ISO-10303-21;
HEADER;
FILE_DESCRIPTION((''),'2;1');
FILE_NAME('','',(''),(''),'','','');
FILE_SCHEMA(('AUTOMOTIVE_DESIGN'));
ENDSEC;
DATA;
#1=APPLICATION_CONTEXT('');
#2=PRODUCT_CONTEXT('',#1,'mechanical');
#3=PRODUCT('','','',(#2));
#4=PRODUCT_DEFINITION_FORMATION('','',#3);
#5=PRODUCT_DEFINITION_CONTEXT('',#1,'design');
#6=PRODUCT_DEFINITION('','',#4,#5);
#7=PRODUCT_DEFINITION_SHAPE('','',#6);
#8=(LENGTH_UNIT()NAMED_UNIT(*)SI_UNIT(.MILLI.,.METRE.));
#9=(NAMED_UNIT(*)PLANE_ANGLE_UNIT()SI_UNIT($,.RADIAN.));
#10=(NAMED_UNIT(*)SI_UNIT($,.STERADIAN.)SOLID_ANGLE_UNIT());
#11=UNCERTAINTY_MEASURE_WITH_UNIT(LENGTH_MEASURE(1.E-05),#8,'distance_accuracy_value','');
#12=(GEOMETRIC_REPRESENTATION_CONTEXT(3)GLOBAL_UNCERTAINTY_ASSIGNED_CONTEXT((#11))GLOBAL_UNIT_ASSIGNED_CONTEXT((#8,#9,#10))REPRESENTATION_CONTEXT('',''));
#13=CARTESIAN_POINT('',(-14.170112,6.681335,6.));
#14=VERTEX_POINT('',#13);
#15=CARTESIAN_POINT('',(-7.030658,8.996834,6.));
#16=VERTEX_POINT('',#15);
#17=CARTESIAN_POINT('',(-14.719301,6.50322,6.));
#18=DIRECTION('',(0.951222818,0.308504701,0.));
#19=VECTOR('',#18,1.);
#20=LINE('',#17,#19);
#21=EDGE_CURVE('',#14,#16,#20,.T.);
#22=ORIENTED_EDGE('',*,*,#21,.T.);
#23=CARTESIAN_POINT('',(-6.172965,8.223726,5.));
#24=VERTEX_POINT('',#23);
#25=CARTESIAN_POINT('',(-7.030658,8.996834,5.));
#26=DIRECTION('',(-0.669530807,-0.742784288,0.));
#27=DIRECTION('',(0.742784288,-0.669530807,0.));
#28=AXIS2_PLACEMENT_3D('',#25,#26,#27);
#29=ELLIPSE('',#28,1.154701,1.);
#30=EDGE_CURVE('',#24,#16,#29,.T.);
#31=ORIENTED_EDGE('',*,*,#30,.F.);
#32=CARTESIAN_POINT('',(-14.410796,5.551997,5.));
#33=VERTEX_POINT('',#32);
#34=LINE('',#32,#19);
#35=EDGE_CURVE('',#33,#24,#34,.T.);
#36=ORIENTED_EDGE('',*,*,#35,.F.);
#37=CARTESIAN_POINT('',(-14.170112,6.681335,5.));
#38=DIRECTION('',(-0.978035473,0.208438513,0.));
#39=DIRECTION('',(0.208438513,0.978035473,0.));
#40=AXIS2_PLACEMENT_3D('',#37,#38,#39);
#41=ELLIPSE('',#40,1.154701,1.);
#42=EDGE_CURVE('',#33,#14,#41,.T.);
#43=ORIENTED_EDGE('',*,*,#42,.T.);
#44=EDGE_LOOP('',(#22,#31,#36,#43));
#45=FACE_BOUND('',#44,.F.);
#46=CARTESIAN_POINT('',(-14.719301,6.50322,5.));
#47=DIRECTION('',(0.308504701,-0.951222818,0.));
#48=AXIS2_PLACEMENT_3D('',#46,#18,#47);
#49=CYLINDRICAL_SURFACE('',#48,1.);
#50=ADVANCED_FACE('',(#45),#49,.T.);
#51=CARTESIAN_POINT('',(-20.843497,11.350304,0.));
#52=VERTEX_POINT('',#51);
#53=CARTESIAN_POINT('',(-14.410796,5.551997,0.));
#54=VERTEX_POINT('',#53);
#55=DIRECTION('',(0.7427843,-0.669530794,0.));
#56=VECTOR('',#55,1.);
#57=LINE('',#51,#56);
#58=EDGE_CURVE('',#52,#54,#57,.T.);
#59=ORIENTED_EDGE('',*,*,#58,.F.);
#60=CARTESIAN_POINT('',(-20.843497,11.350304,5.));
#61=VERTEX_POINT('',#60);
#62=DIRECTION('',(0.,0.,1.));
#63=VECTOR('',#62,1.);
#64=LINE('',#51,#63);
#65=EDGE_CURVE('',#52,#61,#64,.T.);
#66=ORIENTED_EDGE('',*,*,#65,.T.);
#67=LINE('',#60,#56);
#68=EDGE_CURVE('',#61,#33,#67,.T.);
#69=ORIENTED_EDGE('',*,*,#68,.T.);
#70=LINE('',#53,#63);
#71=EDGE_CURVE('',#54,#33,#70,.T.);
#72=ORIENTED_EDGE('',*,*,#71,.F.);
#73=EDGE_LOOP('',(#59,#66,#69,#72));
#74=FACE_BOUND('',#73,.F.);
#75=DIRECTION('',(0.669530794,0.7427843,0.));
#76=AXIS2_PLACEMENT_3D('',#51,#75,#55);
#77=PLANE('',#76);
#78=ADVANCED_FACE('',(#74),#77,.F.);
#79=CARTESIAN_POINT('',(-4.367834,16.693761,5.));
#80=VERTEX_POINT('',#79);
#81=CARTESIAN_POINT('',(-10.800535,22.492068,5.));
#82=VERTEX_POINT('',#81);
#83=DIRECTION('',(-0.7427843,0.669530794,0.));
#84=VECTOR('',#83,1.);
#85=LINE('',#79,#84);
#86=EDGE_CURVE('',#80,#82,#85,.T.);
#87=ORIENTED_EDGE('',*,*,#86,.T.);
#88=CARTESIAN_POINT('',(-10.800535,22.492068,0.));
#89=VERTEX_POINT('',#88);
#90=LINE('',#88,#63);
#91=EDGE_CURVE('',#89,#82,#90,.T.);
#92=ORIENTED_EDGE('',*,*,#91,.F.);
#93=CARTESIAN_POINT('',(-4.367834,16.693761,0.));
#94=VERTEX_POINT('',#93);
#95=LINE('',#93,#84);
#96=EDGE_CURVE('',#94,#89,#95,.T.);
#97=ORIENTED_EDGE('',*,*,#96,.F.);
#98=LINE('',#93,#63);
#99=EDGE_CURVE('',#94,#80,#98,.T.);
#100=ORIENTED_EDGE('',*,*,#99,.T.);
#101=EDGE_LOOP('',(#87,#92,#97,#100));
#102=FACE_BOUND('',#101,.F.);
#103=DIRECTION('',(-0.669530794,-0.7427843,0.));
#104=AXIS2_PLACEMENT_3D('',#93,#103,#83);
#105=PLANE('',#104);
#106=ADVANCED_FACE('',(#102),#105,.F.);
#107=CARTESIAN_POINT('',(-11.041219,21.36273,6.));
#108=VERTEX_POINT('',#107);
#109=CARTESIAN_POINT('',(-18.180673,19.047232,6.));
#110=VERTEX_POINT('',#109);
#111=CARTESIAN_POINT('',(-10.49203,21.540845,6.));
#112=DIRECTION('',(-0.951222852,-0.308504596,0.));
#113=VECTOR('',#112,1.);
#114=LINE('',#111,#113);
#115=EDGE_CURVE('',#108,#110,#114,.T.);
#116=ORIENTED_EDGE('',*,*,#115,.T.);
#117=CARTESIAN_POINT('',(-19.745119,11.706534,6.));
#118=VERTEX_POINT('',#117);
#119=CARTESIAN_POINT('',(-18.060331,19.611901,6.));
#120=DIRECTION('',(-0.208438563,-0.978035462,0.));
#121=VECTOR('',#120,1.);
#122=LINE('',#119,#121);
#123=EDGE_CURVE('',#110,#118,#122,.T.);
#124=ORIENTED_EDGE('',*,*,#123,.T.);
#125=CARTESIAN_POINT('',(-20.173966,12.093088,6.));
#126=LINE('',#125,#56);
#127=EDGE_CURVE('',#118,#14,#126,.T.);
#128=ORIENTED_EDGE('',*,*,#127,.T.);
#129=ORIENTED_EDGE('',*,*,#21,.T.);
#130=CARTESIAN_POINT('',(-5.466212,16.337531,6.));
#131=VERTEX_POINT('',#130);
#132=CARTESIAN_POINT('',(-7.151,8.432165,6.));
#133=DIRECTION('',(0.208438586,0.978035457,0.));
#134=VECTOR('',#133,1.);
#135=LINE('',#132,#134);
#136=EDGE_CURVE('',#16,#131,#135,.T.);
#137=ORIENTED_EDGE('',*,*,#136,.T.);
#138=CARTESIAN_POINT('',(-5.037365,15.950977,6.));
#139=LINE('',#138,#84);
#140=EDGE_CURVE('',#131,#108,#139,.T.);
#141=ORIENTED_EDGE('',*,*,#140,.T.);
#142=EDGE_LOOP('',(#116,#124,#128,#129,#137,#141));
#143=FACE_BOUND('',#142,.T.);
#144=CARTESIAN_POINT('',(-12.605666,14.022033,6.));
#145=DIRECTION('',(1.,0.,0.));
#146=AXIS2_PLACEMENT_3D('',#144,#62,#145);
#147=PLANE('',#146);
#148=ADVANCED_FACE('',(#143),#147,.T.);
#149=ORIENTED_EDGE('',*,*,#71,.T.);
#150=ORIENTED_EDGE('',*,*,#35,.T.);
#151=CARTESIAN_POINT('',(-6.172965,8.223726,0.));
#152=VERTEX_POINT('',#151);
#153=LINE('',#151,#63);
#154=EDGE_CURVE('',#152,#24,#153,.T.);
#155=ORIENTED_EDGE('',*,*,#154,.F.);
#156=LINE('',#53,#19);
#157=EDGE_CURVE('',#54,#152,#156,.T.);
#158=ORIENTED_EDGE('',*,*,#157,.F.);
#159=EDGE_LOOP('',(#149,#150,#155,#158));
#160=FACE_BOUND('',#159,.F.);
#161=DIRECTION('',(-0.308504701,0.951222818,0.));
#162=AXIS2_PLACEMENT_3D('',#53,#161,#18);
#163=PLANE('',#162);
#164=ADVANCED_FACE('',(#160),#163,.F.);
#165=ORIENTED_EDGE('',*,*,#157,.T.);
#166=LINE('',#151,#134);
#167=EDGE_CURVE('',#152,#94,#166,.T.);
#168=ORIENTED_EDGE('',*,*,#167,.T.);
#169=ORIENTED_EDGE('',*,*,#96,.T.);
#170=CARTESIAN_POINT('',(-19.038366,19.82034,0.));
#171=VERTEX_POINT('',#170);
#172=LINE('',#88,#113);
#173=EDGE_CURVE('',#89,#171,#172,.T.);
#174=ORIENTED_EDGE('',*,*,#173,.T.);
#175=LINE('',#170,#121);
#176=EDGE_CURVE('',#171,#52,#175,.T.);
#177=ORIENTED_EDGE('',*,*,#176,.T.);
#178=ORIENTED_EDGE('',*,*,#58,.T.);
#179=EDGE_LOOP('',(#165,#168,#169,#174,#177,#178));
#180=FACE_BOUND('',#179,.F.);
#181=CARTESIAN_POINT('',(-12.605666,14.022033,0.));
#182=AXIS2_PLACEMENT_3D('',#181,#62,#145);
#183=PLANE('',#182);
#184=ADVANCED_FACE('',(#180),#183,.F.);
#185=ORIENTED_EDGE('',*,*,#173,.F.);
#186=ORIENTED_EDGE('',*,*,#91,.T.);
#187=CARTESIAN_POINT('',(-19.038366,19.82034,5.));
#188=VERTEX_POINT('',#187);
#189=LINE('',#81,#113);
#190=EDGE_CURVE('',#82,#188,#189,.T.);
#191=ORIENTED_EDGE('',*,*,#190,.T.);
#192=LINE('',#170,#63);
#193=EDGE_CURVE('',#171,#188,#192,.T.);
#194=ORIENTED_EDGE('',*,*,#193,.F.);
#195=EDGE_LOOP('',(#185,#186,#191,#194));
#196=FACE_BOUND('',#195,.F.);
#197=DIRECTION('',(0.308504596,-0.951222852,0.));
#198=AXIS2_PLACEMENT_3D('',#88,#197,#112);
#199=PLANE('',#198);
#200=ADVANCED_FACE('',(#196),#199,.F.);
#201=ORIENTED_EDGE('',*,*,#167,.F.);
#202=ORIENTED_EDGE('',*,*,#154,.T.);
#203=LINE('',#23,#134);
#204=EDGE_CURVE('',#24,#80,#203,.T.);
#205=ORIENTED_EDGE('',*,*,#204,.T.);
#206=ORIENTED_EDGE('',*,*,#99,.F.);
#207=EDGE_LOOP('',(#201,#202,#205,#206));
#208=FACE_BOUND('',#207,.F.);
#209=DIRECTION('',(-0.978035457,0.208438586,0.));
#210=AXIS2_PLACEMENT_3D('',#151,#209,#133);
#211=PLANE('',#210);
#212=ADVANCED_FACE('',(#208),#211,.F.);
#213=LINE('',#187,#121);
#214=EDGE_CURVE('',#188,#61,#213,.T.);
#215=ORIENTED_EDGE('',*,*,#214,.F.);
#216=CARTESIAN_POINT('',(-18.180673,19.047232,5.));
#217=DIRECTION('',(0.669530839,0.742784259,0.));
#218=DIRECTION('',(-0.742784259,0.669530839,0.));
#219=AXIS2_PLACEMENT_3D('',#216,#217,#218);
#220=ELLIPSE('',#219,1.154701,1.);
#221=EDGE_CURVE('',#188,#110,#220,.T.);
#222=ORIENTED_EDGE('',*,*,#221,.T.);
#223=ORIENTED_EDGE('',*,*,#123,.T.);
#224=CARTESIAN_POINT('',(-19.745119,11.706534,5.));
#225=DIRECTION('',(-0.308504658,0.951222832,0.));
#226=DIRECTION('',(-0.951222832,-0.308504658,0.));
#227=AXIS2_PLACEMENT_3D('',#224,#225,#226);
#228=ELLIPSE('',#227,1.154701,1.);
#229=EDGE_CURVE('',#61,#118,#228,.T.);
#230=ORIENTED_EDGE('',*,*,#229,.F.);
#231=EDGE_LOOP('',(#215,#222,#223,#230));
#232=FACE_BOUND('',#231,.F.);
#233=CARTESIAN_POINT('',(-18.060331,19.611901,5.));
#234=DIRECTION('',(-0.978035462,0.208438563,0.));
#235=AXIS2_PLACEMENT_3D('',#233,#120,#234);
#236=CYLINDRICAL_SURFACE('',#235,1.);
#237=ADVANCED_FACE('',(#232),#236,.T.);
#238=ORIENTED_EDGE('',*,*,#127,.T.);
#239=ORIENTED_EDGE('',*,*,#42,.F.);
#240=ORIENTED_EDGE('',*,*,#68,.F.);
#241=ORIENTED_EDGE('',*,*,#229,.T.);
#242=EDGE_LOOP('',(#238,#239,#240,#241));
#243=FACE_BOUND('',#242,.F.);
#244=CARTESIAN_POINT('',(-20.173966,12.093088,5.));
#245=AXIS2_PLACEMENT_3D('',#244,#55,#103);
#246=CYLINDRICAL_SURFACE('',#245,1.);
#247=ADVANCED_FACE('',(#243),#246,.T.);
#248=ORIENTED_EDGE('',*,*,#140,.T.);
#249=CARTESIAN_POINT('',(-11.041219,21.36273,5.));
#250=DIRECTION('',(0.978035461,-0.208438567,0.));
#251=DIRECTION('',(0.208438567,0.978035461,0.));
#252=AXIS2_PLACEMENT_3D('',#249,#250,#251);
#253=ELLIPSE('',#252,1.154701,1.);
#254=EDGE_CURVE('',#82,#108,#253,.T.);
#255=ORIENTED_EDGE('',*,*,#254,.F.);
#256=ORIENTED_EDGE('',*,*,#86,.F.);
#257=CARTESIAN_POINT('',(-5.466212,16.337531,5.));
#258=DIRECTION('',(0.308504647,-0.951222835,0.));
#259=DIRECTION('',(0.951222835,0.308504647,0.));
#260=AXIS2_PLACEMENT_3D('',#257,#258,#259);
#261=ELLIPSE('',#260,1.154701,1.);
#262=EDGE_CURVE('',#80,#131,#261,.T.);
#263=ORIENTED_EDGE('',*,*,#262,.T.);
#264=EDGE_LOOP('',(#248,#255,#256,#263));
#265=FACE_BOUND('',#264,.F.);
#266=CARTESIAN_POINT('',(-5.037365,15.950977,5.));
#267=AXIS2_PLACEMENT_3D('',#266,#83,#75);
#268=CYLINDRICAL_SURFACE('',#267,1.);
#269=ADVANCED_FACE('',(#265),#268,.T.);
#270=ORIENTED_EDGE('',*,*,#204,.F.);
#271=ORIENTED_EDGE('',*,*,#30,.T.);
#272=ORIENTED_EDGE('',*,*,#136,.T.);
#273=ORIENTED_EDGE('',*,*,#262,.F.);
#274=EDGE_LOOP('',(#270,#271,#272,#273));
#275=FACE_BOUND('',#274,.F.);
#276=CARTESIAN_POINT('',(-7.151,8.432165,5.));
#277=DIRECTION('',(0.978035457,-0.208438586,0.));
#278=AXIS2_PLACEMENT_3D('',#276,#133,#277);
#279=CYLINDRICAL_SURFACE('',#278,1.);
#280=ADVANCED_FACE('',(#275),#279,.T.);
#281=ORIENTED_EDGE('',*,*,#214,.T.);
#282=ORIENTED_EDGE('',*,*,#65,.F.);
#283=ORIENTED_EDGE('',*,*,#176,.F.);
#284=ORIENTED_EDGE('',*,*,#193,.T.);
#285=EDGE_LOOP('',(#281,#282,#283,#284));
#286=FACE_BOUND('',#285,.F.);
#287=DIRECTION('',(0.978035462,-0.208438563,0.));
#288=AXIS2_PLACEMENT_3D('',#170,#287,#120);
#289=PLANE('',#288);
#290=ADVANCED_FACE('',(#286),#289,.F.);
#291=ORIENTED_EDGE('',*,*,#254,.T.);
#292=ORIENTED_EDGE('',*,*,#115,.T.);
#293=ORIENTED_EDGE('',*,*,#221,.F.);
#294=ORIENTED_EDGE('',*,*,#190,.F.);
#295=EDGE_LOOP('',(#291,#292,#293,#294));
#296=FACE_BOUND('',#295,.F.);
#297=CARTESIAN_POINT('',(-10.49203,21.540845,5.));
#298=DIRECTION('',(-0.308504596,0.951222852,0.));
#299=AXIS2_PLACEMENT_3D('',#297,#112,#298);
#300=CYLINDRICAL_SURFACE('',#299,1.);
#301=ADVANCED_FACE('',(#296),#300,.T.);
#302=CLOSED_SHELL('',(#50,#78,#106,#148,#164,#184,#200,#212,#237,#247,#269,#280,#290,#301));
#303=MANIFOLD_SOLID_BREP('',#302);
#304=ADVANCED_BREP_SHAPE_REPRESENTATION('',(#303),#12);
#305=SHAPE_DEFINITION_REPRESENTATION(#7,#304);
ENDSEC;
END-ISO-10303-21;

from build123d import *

# Parameters (mm, degrees)
F1_DEPTH = 6
F2_R     = 1


with BuildPart() as f1:
    # F0 (on Top) → F1 (new body)
    with BuildSketch(Plane.XY):
        Polygon((-14.410796, 5.551997), (-6.172965, 8.223726), (-4.367834, 16.693761), (-10.800535, 22.492068), (-19.038366, 19.82034), (-20.843497, 11.350304), align=None)
    extrude(amount=F1_DEPTH)

    # F2
    f2_edges = [f1.edges().sort_by_distance(p)[0] for p in [
        (-10.29188, 6.887862, 6),
        (-5.270399, 12.458744, 6),
        (-7.584184, 19.592915, 6),
        (-14.91945, 21.156204, 6),
        (-19.940931, 15.585322, 6),
        (-17.627146, 8.451151, 6),
    ]]
    fillet(f2_edges, radius=F2_R)


solid = f1.part
